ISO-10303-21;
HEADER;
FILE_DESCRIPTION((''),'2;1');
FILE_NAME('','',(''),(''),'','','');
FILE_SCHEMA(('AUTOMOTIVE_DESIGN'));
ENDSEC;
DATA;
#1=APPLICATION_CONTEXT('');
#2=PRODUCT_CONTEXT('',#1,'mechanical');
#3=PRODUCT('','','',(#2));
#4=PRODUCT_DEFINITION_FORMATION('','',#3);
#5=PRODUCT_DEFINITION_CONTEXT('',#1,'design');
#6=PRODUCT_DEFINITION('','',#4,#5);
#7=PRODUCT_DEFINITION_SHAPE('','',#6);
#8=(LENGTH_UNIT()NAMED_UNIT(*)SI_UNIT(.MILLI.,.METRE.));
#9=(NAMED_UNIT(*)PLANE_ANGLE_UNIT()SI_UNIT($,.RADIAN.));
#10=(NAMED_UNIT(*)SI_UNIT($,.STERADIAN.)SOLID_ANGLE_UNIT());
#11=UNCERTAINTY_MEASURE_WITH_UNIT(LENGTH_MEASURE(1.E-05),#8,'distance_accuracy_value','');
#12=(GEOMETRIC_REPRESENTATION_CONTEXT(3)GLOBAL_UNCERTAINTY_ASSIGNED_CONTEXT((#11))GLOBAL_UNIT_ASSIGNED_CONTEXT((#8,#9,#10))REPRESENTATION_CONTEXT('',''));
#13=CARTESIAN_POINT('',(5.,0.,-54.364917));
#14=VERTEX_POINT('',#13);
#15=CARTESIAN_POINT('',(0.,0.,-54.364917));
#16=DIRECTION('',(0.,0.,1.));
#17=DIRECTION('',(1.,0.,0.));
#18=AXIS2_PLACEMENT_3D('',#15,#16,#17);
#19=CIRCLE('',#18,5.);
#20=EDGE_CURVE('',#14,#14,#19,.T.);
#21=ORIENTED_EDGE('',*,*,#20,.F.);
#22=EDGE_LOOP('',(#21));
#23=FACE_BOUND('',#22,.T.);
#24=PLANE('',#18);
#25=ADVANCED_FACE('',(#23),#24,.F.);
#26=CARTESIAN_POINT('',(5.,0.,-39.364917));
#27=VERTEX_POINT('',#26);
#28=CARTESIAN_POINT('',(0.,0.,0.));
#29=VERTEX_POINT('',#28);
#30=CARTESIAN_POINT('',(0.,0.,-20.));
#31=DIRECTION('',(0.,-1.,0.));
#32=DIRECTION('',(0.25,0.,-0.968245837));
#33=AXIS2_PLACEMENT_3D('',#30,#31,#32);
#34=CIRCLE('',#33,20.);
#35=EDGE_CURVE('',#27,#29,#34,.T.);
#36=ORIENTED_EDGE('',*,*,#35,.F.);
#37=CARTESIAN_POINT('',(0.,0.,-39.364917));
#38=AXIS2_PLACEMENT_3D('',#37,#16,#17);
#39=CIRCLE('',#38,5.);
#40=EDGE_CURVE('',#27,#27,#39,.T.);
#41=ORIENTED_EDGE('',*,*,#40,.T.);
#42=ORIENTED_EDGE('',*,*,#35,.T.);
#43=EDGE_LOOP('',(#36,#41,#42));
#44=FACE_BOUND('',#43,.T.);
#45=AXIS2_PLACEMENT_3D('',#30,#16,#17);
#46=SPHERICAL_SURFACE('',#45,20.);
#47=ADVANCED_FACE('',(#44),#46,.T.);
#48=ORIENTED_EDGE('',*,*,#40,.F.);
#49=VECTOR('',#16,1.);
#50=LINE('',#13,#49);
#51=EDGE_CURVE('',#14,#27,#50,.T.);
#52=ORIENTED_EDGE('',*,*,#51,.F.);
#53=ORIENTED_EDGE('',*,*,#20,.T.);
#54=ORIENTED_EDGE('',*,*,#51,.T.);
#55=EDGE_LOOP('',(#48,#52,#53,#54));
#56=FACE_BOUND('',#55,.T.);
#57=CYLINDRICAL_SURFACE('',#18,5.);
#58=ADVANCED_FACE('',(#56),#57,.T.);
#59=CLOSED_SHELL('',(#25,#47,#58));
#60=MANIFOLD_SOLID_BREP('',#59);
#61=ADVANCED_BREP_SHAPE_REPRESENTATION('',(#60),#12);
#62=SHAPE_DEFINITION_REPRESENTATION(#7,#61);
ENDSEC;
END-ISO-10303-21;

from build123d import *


with BuildPart() as f1:
    # F0 (on Front) → F1 (revolve)
    with BuildSketch(Plane.XZ):
        with BuildLine():
            ThreePointArc((5, -39.364917), (19.840594, -17.479914), (0, 0))
            Line((0, 0), (0, -40))
            ThreePointArc((0, -40), (2.520086, -39.840594), (5, -39.364917))
        make_face()
        with BuildLine():
            Line((5, -54.364917), (5, -39.364917))
            ThreePointArc((5, -39.364917), (2.520086, -39.840594), (0, -40))
            Line((0, -40), (0, -54.364917))
            Line((0, -54.364917), (5, -54.364917))
        make_face()
    revolve(axis=Axis((0, 0, -20), (0, 0, 1)))


solid = f1.part
